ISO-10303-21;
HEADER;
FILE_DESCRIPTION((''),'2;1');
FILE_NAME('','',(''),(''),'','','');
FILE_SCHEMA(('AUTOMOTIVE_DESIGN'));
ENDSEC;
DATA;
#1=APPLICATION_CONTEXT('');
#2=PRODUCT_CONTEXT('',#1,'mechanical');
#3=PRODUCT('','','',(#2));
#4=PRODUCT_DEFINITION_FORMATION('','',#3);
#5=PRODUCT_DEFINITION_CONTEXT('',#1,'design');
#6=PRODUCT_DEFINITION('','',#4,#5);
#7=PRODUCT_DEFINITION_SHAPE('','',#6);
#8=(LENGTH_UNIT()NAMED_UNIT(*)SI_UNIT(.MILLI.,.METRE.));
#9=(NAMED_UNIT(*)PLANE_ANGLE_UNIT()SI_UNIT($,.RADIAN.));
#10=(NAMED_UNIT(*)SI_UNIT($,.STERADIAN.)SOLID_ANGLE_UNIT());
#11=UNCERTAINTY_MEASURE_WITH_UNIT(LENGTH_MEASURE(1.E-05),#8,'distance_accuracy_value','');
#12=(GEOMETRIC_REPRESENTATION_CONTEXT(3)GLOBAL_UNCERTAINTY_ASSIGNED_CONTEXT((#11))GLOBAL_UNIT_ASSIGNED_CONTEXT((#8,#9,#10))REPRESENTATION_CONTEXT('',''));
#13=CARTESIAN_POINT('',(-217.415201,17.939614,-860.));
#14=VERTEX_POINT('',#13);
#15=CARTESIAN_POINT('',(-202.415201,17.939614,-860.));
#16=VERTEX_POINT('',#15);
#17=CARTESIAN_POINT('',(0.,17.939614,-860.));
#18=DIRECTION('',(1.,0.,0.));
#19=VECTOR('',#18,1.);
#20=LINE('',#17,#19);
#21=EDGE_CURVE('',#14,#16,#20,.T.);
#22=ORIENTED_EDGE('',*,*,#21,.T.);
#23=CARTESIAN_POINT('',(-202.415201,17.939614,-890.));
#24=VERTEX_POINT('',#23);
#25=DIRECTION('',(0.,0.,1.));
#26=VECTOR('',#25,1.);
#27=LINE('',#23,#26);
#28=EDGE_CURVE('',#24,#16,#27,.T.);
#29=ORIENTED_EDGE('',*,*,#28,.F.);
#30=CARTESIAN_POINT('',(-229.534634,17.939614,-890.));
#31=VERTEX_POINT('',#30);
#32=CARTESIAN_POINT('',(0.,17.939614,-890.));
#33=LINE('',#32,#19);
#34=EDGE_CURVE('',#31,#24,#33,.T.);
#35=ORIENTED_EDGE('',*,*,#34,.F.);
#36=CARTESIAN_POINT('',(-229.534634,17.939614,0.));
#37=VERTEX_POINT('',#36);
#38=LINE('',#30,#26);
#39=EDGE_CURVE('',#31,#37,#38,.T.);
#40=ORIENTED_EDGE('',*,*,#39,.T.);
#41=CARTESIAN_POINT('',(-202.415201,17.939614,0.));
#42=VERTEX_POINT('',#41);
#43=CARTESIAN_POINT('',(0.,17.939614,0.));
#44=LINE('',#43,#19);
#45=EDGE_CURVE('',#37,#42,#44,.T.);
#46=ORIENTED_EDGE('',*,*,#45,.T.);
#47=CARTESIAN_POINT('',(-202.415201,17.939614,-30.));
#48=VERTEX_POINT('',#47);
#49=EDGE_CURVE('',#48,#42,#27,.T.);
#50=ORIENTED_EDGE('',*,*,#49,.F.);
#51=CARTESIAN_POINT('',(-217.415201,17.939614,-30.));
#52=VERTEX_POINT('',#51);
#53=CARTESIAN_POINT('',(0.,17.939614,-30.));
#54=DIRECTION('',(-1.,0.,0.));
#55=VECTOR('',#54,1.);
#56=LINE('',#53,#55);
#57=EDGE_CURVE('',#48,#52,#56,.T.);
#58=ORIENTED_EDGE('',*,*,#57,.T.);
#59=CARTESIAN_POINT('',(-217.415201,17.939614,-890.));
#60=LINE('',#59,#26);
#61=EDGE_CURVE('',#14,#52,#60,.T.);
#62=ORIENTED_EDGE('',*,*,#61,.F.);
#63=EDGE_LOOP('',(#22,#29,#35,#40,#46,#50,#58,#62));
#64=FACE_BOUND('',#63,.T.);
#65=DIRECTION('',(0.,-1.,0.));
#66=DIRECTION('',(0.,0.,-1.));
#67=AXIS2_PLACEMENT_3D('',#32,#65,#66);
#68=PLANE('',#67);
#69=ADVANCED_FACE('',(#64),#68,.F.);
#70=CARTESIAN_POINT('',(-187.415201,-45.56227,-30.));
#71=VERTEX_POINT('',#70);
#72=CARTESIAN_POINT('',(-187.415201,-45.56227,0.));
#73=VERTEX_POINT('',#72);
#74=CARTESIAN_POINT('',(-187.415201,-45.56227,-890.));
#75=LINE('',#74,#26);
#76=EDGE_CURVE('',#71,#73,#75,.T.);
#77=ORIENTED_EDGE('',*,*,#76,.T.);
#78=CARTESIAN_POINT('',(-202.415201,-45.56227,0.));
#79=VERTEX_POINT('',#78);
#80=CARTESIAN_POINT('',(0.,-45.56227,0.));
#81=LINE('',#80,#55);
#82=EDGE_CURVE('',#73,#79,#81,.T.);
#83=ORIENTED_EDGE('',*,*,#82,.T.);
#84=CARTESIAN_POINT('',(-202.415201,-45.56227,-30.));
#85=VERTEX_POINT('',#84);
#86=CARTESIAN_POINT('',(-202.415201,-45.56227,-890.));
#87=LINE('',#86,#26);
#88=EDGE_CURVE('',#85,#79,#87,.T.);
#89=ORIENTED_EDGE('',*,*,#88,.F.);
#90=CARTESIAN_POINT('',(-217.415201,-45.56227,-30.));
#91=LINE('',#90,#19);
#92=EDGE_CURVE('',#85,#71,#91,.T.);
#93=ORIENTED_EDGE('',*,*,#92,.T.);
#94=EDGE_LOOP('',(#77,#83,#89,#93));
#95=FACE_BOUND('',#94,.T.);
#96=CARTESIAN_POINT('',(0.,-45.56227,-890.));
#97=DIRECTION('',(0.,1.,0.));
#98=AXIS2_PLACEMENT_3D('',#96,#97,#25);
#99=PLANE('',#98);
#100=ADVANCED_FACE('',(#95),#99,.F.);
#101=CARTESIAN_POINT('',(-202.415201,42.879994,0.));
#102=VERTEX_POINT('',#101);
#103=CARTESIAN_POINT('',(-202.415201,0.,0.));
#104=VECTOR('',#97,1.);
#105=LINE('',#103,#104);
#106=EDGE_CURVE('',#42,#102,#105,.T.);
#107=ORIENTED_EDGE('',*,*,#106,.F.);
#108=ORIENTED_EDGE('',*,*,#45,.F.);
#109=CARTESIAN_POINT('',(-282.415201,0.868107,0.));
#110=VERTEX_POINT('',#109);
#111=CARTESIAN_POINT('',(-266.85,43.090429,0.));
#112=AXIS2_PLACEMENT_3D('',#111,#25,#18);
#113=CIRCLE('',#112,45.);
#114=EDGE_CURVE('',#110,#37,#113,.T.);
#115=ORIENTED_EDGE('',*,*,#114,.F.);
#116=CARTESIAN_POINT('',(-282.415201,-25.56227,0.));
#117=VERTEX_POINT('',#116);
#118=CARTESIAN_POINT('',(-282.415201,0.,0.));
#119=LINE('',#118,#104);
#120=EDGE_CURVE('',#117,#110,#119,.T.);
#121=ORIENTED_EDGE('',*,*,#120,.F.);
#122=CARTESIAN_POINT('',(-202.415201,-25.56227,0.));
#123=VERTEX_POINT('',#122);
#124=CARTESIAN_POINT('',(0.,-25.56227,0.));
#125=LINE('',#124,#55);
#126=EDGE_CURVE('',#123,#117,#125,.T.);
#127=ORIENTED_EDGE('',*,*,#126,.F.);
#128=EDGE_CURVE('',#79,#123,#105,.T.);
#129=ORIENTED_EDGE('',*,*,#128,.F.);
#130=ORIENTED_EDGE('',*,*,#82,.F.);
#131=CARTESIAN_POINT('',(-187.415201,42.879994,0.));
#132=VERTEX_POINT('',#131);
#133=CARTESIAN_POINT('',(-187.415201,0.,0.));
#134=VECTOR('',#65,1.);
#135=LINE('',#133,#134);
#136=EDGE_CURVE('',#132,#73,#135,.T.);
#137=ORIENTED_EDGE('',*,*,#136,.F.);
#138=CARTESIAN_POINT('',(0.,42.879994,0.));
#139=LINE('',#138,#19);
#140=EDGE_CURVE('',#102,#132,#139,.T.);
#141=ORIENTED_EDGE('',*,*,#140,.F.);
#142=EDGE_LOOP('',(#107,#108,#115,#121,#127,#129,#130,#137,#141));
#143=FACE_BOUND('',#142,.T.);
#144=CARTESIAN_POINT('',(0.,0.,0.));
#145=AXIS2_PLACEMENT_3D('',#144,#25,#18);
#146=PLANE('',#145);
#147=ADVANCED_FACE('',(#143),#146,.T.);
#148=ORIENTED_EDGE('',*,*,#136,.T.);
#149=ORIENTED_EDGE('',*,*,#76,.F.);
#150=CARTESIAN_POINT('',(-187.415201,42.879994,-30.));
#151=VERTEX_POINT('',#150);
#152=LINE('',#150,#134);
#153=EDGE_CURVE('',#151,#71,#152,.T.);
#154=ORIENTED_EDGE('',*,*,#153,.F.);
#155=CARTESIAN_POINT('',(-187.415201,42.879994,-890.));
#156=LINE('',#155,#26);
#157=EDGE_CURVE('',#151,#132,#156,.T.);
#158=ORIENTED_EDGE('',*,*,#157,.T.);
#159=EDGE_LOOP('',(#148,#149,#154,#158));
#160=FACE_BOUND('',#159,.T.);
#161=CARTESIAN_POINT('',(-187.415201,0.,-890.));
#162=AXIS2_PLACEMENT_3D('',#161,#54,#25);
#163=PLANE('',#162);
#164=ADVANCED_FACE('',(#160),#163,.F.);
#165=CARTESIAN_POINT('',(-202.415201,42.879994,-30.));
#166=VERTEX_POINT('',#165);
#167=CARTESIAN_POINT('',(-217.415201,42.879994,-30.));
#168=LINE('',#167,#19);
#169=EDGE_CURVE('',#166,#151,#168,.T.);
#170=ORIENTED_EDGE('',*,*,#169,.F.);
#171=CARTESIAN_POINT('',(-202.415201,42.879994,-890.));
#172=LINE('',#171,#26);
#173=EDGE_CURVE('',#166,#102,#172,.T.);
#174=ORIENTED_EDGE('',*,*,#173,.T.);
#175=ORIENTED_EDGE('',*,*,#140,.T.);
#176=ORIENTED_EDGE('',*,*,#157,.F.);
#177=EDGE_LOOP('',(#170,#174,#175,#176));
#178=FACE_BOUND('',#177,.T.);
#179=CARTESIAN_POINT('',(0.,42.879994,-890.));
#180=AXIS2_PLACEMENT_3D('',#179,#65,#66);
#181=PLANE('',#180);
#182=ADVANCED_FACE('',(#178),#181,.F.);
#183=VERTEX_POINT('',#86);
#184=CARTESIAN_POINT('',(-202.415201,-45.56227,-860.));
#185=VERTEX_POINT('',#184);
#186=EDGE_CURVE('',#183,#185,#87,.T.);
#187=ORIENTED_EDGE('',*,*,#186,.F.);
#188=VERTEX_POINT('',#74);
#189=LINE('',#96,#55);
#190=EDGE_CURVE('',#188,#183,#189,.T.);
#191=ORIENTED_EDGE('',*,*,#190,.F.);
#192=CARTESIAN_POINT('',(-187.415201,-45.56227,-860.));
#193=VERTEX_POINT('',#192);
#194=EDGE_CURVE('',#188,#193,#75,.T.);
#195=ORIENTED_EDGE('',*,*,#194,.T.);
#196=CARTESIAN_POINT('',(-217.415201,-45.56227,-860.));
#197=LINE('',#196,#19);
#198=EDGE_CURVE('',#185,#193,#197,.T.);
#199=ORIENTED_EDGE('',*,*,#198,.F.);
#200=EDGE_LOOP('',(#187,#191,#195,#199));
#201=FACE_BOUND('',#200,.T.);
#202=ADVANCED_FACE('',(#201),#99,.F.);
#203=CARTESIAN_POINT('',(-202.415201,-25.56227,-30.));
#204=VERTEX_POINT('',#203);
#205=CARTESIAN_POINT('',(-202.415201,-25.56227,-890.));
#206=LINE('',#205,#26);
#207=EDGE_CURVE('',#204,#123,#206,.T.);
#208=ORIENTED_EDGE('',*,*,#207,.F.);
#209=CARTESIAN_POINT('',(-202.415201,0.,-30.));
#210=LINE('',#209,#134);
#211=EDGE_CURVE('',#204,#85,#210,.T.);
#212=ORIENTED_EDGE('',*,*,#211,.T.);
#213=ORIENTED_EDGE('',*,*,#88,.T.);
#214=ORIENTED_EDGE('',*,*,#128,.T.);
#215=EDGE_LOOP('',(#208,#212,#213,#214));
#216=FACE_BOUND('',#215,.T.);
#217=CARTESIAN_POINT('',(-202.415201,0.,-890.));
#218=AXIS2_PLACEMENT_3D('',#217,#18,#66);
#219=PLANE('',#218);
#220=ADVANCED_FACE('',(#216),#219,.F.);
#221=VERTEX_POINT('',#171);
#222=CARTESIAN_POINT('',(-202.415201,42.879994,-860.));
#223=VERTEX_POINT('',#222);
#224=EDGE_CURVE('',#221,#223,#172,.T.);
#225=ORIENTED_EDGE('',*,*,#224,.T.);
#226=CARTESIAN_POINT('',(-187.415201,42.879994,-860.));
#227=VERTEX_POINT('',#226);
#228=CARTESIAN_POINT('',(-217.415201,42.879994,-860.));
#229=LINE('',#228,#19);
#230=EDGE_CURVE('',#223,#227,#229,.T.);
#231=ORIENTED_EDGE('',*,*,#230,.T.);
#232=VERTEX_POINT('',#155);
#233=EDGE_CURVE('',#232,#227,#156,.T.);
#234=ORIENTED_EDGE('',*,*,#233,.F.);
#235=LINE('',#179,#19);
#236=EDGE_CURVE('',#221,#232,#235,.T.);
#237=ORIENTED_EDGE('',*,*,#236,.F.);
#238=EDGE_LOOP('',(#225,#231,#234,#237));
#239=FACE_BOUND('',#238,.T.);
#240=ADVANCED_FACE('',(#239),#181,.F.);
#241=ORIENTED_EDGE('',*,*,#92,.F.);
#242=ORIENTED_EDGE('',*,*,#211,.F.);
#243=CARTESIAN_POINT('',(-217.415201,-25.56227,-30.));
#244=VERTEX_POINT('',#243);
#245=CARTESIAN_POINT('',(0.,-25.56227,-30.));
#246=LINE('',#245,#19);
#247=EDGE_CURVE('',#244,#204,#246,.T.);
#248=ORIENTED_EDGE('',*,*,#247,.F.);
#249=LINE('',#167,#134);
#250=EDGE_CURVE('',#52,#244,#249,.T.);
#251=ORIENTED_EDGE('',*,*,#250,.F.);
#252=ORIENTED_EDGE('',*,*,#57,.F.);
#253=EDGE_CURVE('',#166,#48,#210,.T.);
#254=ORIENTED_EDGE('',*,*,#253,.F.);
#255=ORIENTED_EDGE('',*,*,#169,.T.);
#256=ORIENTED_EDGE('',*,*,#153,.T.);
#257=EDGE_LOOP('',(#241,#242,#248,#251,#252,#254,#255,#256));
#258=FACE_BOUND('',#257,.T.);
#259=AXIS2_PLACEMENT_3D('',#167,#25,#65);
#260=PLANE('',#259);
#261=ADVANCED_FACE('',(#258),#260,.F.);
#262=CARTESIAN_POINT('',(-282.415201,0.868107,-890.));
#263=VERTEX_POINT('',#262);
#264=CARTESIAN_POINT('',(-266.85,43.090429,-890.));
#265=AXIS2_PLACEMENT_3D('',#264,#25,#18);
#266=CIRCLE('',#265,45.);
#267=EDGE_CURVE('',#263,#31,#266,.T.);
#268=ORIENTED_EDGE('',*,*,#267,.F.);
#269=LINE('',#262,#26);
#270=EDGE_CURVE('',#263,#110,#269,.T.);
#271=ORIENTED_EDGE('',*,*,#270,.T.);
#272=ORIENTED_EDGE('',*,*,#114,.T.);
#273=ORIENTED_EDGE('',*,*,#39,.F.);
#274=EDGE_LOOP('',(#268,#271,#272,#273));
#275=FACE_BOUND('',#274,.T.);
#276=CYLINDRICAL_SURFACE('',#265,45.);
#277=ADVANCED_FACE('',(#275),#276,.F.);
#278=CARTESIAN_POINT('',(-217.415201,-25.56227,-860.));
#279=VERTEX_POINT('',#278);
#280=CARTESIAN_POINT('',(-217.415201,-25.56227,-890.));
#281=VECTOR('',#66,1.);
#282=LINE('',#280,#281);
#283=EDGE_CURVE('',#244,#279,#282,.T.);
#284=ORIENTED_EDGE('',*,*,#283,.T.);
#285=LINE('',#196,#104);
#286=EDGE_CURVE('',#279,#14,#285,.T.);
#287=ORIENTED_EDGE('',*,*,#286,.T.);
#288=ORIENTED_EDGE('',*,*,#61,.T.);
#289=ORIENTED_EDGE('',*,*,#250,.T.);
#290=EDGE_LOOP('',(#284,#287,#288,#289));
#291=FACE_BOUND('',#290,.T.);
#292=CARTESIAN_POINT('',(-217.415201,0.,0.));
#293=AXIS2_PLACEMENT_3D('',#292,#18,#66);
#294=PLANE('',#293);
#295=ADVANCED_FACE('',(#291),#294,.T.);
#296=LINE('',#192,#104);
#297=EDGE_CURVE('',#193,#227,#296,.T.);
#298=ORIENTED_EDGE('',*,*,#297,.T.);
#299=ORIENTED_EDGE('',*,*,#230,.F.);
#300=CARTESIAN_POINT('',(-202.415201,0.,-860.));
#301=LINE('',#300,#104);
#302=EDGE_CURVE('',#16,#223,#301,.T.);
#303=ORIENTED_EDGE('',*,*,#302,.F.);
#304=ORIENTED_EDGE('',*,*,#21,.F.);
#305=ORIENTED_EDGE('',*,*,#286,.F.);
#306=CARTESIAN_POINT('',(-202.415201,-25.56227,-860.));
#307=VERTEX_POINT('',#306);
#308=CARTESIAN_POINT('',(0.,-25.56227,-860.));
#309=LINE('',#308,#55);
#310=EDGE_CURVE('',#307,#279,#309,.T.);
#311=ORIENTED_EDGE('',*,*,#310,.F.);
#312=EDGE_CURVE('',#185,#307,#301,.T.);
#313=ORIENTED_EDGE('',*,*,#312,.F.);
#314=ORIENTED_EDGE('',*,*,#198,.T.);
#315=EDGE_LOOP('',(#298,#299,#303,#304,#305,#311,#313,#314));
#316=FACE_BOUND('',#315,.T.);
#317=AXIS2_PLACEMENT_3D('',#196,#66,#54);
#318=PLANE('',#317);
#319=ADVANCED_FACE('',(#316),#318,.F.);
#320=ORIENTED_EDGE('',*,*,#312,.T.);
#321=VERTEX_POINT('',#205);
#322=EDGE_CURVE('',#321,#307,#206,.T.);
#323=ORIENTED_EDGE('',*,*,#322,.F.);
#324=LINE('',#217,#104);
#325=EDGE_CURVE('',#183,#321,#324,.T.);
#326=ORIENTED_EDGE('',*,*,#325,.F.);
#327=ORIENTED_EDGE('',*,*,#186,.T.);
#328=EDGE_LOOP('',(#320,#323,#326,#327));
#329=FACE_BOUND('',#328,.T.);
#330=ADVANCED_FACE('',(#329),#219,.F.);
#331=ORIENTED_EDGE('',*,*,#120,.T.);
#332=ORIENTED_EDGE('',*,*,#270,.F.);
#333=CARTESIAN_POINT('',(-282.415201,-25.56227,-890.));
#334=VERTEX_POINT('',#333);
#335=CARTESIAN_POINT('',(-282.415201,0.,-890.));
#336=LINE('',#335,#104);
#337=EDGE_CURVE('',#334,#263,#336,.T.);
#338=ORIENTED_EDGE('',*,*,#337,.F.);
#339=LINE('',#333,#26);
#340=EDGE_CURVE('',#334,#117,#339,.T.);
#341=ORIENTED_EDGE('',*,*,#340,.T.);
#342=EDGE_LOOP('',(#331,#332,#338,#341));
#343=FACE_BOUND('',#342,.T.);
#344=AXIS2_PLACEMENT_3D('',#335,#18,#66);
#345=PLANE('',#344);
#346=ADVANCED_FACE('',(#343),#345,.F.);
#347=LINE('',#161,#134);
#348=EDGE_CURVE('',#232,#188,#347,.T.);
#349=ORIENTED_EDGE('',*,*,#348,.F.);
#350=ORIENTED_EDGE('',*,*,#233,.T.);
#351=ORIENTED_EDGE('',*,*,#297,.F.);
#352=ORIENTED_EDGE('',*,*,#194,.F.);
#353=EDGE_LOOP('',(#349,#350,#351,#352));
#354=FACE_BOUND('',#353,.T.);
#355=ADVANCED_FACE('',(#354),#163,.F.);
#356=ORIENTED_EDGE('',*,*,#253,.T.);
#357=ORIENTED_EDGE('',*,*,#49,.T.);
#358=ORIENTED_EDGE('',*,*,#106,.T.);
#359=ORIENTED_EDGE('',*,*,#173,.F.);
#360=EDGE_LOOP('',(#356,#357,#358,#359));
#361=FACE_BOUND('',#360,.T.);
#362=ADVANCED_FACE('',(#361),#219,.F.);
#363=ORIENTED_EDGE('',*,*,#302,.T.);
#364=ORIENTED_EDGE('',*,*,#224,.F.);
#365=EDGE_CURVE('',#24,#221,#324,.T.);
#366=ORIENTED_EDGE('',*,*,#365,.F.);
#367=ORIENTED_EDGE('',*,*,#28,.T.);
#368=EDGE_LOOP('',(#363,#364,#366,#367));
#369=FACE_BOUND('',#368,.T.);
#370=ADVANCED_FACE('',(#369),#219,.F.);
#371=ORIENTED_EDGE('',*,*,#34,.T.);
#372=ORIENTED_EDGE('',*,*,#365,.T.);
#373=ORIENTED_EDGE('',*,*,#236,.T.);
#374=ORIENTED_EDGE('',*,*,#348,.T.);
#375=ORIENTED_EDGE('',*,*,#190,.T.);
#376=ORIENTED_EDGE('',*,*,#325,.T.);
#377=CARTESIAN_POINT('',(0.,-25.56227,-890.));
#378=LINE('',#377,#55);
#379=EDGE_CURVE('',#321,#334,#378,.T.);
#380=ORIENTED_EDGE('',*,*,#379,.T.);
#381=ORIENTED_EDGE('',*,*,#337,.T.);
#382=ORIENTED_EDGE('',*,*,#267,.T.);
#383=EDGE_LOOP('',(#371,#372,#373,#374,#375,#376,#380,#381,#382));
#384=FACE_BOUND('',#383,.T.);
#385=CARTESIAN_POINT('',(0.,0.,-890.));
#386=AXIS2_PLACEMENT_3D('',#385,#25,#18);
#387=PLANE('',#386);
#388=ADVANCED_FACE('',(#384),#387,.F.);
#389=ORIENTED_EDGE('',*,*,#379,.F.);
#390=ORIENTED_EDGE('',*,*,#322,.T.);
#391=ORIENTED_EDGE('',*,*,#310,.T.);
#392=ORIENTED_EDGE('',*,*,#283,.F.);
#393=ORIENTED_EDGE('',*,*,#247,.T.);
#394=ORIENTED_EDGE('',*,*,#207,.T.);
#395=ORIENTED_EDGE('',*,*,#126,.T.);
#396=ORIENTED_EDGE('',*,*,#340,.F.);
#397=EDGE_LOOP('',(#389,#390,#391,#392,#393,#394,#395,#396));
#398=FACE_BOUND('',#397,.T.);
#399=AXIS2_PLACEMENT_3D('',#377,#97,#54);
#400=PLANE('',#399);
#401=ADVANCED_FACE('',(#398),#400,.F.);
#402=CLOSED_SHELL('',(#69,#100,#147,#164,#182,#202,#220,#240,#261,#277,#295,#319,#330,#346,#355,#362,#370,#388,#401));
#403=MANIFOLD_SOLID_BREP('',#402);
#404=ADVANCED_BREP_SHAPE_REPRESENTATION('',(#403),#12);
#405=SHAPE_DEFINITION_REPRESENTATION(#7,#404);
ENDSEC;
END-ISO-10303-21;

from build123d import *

# Parameters (mm, degrees)
BOSS_EXTRUDE1_DEPTH = 890
SKETCH4_W           = 830
SKETCH4_H           = 88.442264386
CUT_EXTRUDE1_DEPTH  = 30


with BuildPart() as part:
    # Sketch1 → Boss-Extrude1 (new body)
    with BuildSketch(Plane.XY):
        with BuildLine():
            ThreePointArc((-282.415201489, 0.868106525), (-253.025149144, 0.266679613), (-229.534634399, 17.939613952))
            Line((-229.534634399, 17.939613952), (-202.415201489, 17.939613952))
            Line((-202.415201489, 17.939613952), (-202.415201489, 42.879994244))
            Line((-202.415201489, 42.879994244), (-187.415201489, 42.879994244))
            Line((-187.415201489, 42.879994244), (-187.415201489, -45.562270142))
            Line((-187.415201489, -45.562270142), (-202.415201489, -45.562270142))
            Line((-202.415201489, -45.562270142), (-202.415201489, -25.562270142))
            Line((-202.415201489, -25.562270142), (-282.415201489, -25.562270142))
            Line((-282.415201489, -25.562270142), (-282.415201489, 0.868106525))
        make_face()
    extrude(amount=-BOSS_EXTRUDE1_DEPTH)

    # Sketch4 → Cut-Extrude1 (cut)
    with BuildSketch(Plane(origin=(-187.415201489, 0, 0), x_dir=(0, 0, -1), z_dir=(1, 0, 0))):
        with Locations((445, -1.341137949)):
            Rectangle(SKETCH4_W, SKETCH4_H)
    extrude(amount=-CUT_EXTRUDE1_DEPTH, mode=Mode.SUBTRACT)


solid = part.part
